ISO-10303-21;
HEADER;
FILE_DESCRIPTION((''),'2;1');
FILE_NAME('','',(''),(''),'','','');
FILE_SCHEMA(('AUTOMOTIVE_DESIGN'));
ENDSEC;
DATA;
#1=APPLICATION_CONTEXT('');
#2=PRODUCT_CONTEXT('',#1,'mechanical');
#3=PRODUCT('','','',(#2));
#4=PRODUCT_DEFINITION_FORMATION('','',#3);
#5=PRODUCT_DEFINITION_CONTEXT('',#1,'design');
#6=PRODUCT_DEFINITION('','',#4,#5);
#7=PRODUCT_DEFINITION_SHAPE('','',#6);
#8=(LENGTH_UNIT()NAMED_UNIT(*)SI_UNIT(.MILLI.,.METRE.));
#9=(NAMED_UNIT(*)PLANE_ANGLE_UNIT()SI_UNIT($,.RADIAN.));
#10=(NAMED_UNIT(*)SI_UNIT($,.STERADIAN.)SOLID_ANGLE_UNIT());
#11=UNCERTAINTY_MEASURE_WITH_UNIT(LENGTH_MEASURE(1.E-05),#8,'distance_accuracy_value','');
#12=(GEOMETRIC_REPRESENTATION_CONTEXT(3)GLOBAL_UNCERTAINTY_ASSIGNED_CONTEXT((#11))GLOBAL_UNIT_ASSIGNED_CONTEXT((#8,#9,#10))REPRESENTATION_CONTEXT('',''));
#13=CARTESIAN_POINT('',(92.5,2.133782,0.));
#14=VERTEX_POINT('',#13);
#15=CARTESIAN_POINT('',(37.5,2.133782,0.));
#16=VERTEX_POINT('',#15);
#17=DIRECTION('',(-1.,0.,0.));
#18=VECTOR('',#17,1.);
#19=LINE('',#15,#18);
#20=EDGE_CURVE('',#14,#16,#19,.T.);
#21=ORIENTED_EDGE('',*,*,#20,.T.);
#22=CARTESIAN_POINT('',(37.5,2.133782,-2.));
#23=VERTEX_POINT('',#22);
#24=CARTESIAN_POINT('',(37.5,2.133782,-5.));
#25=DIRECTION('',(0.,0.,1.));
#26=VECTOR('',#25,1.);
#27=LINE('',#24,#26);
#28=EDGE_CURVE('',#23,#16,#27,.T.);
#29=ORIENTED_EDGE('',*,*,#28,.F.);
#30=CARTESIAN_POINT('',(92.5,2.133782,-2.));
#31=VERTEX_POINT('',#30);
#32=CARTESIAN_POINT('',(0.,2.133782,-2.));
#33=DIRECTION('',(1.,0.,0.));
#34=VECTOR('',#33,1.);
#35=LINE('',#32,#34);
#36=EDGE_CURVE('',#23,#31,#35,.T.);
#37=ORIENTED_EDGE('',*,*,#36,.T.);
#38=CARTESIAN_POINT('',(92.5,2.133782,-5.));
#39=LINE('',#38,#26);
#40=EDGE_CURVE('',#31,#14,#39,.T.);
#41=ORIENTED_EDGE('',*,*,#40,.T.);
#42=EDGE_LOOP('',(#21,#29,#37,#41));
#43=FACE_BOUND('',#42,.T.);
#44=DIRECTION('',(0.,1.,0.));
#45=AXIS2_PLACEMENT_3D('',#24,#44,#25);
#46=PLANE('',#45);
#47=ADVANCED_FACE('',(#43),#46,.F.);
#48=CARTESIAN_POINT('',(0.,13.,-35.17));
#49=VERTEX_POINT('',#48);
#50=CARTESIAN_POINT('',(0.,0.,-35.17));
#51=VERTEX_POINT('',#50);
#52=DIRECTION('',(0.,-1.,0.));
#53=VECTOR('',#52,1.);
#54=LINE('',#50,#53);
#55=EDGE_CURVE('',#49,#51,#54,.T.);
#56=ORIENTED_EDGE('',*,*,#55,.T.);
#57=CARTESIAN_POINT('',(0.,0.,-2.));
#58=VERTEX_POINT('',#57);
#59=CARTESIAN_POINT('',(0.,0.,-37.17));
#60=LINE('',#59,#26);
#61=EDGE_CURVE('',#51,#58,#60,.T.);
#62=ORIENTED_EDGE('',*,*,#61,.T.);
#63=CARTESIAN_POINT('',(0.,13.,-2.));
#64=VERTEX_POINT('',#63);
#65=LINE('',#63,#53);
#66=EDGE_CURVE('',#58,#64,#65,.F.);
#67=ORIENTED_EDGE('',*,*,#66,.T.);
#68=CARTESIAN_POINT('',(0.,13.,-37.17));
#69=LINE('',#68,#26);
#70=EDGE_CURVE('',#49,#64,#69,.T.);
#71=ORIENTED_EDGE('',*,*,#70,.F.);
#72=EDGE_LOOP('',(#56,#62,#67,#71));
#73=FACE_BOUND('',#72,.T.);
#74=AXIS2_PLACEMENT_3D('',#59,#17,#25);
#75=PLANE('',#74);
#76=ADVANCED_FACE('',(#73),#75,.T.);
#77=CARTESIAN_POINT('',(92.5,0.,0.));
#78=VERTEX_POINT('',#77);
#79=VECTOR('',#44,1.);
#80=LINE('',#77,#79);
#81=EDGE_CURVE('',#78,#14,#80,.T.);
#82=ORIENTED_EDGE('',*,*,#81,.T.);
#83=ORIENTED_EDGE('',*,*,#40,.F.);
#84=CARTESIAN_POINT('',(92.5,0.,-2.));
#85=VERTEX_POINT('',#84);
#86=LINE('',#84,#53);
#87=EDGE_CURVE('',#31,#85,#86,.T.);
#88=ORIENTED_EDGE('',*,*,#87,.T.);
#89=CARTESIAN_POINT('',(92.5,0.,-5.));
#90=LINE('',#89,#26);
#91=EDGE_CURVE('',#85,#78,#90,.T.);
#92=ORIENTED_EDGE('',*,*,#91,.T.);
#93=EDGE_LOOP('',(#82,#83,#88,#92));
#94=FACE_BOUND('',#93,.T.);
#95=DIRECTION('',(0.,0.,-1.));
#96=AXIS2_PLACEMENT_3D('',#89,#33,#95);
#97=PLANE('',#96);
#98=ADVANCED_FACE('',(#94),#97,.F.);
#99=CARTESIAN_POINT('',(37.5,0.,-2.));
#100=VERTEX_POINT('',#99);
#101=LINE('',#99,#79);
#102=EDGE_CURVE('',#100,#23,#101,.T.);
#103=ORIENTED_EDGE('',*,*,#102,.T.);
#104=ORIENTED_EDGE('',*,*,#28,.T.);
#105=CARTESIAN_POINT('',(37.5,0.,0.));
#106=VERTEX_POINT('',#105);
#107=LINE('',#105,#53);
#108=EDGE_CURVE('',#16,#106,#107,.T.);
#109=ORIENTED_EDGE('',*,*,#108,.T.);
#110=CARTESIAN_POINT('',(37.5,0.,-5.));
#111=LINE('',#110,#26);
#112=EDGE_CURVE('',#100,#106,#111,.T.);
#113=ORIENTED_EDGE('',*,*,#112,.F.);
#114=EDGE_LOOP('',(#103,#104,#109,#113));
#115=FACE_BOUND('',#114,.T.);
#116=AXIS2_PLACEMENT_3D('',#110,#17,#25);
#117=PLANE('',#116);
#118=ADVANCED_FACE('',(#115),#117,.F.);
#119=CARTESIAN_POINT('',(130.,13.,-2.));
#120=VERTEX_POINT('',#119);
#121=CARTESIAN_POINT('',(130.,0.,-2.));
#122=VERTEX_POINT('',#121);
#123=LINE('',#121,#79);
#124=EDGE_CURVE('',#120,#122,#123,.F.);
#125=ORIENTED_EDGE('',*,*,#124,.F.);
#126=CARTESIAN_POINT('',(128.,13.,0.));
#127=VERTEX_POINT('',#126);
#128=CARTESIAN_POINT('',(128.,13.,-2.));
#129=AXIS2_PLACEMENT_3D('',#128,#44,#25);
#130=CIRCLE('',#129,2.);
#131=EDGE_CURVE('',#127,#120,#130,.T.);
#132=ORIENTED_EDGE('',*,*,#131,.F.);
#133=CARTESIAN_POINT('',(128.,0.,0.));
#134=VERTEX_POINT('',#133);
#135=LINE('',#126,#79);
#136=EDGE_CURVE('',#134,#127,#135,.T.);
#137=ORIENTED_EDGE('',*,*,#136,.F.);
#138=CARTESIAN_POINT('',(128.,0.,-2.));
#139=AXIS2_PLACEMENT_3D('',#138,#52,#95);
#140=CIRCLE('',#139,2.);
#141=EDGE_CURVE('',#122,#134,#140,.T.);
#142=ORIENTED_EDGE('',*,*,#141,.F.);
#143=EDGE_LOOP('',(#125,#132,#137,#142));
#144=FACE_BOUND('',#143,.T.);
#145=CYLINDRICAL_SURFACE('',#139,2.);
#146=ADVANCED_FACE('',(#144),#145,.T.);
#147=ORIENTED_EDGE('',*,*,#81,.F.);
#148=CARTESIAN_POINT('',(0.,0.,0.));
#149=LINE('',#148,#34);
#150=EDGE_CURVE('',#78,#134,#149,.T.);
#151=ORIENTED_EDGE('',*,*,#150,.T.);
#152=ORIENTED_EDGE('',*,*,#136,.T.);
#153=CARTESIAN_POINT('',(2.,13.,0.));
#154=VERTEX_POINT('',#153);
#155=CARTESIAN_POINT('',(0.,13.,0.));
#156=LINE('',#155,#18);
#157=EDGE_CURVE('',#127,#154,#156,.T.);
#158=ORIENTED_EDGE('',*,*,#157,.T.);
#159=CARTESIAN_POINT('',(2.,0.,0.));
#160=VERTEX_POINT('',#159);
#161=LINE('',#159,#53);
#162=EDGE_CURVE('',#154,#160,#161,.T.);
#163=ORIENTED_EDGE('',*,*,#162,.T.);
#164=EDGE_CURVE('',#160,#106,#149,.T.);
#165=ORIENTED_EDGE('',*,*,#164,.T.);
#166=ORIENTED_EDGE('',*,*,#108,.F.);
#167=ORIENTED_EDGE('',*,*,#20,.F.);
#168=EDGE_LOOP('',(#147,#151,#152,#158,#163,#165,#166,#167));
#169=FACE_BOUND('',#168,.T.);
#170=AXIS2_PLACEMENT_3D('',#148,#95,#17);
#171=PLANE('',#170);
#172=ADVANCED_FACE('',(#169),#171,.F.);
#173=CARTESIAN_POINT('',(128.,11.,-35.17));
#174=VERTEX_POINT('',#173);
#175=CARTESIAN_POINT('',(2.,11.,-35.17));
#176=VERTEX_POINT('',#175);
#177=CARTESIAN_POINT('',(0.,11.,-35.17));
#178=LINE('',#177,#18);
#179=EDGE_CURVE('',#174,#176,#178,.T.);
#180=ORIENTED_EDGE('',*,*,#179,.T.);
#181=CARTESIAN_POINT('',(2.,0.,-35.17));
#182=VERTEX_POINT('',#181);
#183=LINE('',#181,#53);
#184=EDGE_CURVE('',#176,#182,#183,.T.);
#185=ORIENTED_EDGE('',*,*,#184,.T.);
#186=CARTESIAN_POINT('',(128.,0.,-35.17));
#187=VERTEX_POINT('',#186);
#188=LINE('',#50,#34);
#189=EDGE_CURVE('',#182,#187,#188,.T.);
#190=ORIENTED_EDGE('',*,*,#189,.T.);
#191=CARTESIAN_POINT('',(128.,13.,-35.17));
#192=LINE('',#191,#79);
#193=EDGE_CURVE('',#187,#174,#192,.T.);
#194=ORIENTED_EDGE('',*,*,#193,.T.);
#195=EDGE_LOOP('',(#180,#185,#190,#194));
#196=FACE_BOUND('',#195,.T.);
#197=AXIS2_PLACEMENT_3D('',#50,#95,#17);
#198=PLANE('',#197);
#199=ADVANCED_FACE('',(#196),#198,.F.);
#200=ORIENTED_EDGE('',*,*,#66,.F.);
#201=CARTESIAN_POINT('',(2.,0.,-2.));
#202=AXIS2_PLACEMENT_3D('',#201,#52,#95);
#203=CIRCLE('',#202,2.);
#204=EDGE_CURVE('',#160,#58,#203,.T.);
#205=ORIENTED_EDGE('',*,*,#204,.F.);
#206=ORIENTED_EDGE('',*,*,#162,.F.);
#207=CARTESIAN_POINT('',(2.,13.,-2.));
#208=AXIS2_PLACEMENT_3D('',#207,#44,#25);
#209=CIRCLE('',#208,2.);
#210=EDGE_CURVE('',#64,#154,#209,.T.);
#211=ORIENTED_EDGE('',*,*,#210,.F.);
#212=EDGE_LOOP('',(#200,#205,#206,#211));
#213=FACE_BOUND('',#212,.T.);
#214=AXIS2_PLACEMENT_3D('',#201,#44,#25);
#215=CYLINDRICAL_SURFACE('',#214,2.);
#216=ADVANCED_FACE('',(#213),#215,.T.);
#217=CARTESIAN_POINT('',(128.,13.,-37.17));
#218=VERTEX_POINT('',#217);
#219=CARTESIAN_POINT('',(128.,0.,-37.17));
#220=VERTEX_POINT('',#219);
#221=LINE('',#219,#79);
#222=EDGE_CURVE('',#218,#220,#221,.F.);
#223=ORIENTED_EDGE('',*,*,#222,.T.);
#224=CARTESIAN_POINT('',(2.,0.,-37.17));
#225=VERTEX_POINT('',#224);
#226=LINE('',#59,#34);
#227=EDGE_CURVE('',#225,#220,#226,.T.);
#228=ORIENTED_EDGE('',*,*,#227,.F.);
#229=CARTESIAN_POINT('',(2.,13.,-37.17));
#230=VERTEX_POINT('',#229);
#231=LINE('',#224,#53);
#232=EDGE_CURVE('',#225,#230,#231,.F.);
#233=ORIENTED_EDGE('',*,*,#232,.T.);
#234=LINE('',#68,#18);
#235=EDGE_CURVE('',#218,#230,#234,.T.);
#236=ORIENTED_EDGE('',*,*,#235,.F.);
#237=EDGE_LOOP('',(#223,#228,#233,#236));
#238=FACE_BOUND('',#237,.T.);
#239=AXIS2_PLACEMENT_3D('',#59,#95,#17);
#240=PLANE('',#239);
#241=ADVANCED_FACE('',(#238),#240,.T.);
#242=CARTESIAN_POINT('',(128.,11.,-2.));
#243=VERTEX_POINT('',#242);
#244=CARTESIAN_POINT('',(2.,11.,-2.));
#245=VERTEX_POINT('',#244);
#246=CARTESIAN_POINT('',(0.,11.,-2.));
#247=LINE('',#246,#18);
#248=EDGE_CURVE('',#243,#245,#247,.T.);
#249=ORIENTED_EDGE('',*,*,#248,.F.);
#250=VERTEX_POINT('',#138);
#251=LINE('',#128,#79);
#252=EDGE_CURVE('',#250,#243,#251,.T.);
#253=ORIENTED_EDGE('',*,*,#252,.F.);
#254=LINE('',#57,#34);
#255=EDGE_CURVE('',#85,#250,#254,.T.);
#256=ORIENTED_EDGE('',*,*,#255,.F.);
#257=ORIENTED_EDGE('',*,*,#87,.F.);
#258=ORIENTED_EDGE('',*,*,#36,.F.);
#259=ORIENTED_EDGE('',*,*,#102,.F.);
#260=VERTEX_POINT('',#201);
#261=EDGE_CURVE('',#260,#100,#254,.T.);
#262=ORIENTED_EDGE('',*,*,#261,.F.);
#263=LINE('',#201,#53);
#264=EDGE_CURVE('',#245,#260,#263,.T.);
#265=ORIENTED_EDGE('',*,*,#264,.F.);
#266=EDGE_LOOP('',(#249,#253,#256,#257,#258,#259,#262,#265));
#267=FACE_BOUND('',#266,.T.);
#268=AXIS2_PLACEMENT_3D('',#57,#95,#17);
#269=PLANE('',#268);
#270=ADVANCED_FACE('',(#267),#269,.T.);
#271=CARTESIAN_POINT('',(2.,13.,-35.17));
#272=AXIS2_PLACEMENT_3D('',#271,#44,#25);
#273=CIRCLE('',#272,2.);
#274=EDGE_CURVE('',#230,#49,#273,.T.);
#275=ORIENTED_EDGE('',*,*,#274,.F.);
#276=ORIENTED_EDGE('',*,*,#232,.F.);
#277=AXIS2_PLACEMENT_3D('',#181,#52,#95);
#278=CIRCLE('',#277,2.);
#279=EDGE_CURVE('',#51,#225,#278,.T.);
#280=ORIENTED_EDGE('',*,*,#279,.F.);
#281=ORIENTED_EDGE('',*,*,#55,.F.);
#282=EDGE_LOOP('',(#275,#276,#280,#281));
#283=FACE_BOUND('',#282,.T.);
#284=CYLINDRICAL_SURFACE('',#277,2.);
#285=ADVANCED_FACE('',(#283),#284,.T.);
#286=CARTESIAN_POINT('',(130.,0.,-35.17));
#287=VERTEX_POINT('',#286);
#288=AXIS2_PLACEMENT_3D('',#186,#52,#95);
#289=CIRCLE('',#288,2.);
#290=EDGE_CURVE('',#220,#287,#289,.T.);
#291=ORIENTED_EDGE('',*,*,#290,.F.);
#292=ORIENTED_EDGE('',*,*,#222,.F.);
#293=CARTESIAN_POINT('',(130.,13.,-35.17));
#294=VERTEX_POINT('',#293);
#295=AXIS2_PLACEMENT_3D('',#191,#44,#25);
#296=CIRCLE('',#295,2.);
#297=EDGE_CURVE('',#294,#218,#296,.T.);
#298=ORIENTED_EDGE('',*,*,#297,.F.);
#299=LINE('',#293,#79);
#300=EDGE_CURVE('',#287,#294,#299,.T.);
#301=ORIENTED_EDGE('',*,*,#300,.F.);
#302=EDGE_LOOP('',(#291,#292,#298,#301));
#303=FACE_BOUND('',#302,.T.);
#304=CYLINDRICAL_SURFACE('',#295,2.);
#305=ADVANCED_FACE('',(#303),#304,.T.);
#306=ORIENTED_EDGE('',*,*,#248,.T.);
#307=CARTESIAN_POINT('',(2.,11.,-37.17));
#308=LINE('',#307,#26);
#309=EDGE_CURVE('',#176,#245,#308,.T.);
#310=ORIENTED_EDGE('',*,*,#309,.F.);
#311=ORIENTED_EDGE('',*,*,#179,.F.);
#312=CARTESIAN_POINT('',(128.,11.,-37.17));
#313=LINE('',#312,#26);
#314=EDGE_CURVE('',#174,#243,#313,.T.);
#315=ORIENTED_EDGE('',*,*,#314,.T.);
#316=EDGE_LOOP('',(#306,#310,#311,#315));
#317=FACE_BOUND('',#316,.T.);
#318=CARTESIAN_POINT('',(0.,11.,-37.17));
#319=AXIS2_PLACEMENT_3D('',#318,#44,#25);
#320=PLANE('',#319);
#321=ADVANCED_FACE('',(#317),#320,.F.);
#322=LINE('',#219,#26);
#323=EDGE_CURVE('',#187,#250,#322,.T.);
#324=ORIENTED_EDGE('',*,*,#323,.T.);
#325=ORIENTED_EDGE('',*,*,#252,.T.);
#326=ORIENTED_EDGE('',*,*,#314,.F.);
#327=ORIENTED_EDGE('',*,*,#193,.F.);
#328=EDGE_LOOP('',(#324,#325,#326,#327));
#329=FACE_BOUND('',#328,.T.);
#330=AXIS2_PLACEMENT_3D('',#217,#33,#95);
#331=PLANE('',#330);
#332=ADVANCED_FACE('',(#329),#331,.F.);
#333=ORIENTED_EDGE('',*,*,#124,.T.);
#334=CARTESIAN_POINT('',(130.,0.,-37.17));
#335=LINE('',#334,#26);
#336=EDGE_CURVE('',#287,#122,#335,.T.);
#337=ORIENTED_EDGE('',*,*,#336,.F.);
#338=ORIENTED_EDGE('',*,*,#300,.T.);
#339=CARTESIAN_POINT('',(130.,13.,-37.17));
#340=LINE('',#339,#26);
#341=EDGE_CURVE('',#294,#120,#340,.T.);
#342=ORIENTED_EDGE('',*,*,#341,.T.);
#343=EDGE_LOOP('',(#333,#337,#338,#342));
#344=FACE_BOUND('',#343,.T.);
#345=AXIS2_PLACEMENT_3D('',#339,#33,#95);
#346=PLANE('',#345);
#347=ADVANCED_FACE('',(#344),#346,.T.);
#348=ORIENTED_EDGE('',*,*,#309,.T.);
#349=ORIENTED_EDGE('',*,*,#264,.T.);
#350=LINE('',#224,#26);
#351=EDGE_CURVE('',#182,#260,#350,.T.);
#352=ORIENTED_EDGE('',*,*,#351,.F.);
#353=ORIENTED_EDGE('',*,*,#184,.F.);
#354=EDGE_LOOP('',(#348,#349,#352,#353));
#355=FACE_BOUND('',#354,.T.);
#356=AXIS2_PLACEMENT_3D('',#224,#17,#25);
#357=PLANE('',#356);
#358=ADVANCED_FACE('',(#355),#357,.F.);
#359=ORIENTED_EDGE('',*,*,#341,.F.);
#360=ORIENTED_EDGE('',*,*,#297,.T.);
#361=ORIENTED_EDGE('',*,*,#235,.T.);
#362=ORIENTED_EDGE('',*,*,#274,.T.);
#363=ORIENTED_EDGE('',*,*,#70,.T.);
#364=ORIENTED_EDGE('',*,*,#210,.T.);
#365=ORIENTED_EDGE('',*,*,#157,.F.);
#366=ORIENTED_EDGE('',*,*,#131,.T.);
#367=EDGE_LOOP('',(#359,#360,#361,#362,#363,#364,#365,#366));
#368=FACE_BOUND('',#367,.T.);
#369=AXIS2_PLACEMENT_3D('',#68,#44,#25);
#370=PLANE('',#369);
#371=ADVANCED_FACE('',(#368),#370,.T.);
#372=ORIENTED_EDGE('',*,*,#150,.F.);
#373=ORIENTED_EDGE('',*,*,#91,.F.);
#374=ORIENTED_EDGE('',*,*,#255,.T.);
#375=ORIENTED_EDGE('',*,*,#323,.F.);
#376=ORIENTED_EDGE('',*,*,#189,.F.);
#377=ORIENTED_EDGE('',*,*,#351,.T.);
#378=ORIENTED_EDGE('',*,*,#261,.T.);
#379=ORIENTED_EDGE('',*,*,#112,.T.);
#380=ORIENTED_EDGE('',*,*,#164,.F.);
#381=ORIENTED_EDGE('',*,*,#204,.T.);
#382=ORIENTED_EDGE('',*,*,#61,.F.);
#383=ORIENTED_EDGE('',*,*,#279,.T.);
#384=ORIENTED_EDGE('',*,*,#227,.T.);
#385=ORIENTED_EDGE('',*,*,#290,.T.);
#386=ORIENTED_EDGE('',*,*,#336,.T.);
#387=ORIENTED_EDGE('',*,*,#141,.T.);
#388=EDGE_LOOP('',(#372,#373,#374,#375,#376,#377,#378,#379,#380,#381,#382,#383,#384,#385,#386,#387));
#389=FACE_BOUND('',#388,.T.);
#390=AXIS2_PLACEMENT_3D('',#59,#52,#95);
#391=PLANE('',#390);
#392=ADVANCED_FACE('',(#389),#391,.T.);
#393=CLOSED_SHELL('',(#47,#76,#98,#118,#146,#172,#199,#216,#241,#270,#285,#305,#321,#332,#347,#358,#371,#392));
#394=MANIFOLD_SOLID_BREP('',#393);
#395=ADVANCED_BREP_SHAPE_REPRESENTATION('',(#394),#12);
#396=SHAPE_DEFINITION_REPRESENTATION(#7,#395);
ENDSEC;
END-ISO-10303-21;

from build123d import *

# Parameters (mm, degrees)
SKETCH1_W           = 130
SKETCH1_H           = 13
BOSS_EXTRUDE1_DEPTH = 37.17
SHELL1_T            = -2
SKETCH2_W           = 55
SKETCH2_H           = 2.13378228
CUT_EXTRUDE1_DEPTH  = 5
FILLET1_R           = 2


with BuildPart() as part:
    # Sketch1 → Boss-Extrude1 (new body)
    with BuildSketch(Plane.XY):
        with Locations((65, 6.5)):
            Rectangle(SKETCH1_W, SKETCH1_H)
    extrude(amount=-BOSS_EXTRUDE1_DEPTH)

    # Shell1
    shell1_openings = [part.faces().sort_by_distance(p)[0] for p in [
        (65, 0, -18.585),
    ]]
    offset(amount=SHELL1_T, openings=shell1_openings, kind=Kind.INTERSECTION)

    # Sketch2 → Cut-Extrude1 (cut)
    with BuildSketch(Plane.XY):
        with Locations((65, 1.06689114)):
            Rectangle(SKETCH2_W, SKETCH2_H)
    extrude(amount=-CUT_EXTRUDE1_DEPTH, mode=Mode.SUBTRACT)

    # Fillet1
    fillet1_edges = [part.edges().sort_by_distance(p)[0] for p in [
        (130, 6.5, -37.17),
        (0, 6.5, -37.17),
        (130, 6.5, 0),
        (0, 6.5, 0),
    ]]
    fillet(fillet1_edges, radius=FILLET1_R)


solid = part.part
